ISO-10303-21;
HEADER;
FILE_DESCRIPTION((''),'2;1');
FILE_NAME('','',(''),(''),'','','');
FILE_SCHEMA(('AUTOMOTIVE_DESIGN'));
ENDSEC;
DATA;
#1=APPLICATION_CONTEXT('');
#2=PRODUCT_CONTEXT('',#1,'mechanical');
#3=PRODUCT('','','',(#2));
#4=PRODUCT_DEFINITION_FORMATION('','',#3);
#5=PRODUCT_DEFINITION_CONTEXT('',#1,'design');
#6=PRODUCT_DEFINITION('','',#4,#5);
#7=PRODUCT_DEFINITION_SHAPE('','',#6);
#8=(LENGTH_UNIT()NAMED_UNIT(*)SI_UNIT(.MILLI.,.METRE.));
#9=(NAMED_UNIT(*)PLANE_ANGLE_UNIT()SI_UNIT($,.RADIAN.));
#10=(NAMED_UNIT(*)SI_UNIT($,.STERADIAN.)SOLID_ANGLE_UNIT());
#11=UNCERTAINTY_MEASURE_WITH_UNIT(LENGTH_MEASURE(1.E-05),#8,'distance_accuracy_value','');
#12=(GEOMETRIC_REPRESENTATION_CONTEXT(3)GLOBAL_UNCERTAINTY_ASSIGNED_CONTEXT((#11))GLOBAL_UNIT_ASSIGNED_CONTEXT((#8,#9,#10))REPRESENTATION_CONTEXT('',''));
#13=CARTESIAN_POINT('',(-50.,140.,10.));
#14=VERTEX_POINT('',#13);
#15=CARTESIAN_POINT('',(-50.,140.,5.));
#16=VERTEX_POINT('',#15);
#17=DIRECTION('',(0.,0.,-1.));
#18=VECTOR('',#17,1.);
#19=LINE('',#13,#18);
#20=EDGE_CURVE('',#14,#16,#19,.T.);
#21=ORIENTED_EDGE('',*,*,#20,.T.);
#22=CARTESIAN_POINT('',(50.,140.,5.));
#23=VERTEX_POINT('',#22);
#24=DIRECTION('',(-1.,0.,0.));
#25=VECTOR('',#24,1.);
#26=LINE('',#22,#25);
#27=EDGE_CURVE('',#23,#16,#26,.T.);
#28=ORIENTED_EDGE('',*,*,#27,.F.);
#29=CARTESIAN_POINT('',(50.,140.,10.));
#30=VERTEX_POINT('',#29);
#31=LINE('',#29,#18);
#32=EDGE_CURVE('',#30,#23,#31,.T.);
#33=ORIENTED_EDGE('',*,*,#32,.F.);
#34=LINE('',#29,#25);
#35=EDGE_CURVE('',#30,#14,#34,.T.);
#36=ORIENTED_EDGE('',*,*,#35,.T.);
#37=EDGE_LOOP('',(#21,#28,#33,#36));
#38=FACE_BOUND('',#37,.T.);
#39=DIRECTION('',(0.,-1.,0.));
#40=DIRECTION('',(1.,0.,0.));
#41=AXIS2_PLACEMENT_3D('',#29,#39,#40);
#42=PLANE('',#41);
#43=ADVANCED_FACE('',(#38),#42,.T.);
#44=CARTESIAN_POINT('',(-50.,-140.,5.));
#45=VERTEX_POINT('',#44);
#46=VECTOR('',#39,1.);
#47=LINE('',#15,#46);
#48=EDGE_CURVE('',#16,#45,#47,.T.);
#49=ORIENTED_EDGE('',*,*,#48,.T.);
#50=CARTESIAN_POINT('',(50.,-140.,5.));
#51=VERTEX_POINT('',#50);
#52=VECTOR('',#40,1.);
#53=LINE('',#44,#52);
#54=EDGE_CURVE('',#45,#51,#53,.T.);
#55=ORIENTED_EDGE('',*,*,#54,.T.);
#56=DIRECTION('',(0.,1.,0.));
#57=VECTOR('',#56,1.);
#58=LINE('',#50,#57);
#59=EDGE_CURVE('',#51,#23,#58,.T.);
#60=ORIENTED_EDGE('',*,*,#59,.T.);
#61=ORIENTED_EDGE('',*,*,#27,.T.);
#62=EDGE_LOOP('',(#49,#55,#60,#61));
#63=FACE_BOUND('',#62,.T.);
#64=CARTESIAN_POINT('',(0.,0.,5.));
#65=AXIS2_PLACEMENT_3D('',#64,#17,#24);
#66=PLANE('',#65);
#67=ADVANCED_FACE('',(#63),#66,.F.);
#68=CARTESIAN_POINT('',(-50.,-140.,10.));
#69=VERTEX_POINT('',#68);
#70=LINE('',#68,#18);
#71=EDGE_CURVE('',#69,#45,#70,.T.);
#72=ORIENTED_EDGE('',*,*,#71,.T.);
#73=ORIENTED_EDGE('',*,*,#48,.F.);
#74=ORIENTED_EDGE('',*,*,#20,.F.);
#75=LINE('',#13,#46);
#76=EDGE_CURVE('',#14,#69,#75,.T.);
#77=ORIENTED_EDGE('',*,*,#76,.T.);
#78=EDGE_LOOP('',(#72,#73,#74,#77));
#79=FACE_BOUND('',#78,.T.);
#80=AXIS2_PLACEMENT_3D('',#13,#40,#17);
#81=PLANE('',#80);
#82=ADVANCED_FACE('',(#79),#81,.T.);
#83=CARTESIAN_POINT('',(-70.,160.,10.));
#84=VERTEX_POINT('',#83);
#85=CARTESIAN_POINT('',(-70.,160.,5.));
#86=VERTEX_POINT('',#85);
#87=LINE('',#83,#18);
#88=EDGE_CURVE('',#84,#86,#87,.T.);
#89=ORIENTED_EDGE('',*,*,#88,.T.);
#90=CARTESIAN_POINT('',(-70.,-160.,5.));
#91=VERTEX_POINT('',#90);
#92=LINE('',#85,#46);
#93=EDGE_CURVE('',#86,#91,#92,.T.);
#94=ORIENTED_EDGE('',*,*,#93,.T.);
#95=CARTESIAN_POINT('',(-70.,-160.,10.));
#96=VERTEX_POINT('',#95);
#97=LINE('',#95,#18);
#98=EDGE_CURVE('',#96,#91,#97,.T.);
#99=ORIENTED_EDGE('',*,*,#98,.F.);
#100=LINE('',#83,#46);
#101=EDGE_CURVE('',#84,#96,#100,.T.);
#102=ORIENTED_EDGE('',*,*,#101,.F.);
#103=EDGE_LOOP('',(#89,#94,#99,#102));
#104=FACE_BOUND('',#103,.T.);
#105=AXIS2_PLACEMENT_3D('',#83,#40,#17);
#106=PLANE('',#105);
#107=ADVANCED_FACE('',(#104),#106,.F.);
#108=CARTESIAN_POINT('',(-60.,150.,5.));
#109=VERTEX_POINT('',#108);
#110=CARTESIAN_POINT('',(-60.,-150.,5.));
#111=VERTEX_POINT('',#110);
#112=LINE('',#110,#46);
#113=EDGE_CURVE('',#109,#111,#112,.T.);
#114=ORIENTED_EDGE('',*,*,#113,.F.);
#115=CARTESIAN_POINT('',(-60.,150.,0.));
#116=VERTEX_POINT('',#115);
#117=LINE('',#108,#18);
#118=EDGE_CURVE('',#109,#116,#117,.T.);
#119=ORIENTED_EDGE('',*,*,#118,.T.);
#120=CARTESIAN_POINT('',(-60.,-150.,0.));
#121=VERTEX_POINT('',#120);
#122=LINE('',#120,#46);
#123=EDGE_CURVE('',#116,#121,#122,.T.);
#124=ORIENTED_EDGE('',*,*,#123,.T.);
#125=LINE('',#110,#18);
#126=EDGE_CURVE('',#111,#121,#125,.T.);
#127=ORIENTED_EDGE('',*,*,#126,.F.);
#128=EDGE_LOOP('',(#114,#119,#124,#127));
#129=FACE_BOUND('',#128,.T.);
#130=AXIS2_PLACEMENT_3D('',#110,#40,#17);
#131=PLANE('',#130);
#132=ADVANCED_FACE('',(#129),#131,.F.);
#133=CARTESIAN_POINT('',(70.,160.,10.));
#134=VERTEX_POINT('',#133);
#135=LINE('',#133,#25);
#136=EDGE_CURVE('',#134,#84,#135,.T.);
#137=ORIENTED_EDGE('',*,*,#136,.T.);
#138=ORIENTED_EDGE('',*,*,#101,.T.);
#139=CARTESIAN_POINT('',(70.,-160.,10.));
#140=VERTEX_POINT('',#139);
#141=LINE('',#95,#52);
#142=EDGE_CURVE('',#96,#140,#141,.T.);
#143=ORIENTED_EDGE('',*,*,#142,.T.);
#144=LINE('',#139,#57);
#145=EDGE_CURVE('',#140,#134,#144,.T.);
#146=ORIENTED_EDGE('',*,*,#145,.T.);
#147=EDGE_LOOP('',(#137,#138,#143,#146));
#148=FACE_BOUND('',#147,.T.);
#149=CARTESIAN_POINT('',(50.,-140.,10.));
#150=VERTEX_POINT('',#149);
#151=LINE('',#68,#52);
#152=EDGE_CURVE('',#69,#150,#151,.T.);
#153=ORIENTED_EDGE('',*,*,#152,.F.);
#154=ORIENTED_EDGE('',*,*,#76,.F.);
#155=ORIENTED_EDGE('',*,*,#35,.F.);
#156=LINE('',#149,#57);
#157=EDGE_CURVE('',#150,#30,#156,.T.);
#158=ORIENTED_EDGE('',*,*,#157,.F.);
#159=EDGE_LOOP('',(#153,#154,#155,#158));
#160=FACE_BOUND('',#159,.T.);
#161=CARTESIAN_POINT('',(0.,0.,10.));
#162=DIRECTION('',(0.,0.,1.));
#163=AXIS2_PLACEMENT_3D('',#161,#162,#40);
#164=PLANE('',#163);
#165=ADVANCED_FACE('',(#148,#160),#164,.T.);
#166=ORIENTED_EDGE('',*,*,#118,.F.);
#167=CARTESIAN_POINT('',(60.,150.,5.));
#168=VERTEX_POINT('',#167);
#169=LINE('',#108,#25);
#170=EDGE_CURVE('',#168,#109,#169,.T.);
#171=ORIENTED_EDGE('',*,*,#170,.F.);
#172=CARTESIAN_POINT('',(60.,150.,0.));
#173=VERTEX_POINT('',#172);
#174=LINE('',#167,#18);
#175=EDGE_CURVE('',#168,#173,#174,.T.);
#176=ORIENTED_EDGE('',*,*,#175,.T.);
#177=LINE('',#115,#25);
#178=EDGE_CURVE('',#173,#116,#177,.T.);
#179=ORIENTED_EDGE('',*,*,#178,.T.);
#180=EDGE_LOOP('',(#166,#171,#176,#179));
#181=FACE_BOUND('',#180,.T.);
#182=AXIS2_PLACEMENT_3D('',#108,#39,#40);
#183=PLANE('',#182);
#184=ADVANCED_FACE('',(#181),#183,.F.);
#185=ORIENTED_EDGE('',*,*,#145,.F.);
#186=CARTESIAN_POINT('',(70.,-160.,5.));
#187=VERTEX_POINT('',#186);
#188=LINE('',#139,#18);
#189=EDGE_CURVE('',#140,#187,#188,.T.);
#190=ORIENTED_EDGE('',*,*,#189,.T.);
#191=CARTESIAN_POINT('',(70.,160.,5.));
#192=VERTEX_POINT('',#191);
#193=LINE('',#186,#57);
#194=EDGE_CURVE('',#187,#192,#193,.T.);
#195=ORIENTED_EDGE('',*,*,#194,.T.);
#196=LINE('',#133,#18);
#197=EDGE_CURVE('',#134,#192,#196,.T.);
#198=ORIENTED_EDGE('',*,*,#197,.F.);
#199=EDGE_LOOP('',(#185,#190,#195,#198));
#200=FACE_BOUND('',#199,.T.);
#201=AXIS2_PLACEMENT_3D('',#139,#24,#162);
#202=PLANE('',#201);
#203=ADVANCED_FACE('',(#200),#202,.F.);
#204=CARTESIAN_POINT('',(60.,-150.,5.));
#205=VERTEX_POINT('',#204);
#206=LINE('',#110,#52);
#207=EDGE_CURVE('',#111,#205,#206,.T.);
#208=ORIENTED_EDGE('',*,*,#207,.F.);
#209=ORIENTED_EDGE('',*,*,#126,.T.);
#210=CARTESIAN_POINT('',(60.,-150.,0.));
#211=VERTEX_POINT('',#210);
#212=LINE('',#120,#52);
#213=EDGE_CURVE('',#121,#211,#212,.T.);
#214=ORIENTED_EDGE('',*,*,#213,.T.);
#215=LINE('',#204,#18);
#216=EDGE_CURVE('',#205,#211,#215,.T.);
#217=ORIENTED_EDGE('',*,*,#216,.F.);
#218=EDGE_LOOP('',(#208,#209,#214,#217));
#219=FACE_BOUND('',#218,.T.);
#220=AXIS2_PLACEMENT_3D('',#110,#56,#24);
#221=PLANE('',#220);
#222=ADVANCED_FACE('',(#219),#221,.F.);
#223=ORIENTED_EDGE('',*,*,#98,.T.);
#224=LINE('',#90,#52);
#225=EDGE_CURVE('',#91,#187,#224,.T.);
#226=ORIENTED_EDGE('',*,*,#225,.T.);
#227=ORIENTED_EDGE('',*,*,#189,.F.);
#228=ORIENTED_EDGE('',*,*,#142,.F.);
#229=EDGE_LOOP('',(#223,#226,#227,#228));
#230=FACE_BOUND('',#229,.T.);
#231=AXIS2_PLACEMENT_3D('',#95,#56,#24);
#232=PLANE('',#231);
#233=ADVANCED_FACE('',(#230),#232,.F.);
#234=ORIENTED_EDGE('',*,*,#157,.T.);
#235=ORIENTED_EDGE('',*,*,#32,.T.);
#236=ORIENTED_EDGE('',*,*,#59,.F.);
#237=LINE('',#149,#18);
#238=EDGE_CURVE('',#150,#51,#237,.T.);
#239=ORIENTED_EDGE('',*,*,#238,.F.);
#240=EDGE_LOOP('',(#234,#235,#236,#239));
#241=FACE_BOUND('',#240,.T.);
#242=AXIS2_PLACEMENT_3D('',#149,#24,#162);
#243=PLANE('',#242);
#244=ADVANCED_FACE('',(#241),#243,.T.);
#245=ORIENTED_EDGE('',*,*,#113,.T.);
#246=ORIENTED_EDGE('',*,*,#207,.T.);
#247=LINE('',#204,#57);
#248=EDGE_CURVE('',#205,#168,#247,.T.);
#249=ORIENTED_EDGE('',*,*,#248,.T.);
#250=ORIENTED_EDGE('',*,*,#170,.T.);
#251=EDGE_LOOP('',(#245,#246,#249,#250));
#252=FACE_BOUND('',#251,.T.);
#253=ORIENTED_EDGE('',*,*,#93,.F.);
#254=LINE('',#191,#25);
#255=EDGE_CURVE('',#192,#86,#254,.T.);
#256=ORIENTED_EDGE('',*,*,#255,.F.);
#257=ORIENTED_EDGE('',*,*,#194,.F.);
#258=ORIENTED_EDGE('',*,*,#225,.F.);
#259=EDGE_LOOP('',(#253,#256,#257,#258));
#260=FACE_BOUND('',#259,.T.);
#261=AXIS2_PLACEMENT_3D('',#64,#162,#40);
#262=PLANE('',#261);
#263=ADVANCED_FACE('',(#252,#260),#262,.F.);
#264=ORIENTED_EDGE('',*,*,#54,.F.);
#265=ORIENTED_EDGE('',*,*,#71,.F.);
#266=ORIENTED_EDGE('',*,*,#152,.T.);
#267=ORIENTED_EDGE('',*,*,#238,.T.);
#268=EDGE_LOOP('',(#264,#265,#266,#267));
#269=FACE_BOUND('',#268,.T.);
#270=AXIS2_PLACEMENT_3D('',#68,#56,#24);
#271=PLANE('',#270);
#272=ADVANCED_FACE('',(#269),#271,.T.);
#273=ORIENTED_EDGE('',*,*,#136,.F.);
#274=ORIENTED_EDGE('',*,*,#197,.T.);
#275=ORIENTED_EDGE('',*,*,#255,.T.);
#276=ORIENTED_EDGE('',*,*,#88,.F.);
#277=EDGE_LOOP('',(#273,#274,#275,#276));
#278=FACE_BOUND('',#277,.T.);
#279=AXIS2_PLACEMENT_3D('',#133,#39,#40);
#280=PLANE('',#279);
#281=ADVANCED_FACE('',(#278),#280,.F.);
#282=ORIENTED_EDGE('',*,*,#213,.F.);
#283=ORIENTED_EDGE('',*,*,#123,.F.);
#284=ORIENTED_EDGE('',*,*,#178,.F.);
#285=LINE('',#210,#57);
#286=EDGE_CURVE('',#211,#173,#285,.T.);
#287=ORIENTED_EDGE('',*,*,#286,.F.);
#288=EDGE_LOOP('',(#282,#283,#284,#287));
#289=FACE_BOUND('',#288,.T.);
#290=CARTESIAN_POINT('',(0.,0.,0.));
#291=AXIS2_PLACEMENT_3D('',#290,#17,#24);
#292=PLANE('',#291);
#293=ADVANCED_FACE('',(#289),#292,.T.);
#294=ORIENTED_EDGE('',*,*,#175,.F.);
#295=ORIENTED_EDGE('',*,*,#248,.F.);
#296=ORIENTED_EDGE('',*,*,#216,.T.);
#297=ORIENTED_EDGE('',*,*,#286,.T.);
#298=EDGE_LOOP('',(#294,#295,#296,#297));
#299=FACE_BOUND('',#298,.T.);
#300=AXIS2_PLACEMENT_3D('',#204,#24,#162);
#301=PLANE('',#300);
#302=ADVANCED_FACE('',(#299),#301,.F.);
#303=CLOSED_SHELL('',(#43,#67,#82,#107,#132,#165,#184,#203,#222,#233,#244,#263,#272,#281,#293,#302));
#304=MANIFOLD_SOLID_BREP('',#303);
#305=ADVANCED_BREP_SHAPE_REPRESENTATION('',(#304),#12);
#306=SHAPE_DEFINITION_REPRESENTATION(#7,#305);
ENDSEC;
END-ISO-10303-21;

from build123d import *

# Parameters (mm, degrees)
SKETCH_1_W      = 120
SKETCH_1_H      = 300
EXTRUDE_1_DEPTH = 5
SKETCH_2_W      = 140
SKETCH_2_H      = 320
SKETCH_2_W_2    = 100
SKETCH_2_H_2    = 280
EXTRUDE_2_DEPTH = 5


with BuildPart() as part:
    # 草图1 → 凸台-拉伸1 (new body)
    with BuildSketch(Plane.XY):
        Rectangle(SKETCH_1_W, SKETCH_1_H)
    extrude(amount=EXTRUDE_1_DEPTH)

    # 草图2 → 凸台-拉伸2 (add)
    with BuildSketch(Plane.XY.offset(5)):
        Rectangle(SKETCH_2_W, SKETCH_2_H)
        Rectangle(SKETCH_2_W_2, SKETCH_2_H_2, mode=Mode.SUBTRACT)
    extrude(amount=EXTRUDE_2_DEPTH)


solid = part.part
